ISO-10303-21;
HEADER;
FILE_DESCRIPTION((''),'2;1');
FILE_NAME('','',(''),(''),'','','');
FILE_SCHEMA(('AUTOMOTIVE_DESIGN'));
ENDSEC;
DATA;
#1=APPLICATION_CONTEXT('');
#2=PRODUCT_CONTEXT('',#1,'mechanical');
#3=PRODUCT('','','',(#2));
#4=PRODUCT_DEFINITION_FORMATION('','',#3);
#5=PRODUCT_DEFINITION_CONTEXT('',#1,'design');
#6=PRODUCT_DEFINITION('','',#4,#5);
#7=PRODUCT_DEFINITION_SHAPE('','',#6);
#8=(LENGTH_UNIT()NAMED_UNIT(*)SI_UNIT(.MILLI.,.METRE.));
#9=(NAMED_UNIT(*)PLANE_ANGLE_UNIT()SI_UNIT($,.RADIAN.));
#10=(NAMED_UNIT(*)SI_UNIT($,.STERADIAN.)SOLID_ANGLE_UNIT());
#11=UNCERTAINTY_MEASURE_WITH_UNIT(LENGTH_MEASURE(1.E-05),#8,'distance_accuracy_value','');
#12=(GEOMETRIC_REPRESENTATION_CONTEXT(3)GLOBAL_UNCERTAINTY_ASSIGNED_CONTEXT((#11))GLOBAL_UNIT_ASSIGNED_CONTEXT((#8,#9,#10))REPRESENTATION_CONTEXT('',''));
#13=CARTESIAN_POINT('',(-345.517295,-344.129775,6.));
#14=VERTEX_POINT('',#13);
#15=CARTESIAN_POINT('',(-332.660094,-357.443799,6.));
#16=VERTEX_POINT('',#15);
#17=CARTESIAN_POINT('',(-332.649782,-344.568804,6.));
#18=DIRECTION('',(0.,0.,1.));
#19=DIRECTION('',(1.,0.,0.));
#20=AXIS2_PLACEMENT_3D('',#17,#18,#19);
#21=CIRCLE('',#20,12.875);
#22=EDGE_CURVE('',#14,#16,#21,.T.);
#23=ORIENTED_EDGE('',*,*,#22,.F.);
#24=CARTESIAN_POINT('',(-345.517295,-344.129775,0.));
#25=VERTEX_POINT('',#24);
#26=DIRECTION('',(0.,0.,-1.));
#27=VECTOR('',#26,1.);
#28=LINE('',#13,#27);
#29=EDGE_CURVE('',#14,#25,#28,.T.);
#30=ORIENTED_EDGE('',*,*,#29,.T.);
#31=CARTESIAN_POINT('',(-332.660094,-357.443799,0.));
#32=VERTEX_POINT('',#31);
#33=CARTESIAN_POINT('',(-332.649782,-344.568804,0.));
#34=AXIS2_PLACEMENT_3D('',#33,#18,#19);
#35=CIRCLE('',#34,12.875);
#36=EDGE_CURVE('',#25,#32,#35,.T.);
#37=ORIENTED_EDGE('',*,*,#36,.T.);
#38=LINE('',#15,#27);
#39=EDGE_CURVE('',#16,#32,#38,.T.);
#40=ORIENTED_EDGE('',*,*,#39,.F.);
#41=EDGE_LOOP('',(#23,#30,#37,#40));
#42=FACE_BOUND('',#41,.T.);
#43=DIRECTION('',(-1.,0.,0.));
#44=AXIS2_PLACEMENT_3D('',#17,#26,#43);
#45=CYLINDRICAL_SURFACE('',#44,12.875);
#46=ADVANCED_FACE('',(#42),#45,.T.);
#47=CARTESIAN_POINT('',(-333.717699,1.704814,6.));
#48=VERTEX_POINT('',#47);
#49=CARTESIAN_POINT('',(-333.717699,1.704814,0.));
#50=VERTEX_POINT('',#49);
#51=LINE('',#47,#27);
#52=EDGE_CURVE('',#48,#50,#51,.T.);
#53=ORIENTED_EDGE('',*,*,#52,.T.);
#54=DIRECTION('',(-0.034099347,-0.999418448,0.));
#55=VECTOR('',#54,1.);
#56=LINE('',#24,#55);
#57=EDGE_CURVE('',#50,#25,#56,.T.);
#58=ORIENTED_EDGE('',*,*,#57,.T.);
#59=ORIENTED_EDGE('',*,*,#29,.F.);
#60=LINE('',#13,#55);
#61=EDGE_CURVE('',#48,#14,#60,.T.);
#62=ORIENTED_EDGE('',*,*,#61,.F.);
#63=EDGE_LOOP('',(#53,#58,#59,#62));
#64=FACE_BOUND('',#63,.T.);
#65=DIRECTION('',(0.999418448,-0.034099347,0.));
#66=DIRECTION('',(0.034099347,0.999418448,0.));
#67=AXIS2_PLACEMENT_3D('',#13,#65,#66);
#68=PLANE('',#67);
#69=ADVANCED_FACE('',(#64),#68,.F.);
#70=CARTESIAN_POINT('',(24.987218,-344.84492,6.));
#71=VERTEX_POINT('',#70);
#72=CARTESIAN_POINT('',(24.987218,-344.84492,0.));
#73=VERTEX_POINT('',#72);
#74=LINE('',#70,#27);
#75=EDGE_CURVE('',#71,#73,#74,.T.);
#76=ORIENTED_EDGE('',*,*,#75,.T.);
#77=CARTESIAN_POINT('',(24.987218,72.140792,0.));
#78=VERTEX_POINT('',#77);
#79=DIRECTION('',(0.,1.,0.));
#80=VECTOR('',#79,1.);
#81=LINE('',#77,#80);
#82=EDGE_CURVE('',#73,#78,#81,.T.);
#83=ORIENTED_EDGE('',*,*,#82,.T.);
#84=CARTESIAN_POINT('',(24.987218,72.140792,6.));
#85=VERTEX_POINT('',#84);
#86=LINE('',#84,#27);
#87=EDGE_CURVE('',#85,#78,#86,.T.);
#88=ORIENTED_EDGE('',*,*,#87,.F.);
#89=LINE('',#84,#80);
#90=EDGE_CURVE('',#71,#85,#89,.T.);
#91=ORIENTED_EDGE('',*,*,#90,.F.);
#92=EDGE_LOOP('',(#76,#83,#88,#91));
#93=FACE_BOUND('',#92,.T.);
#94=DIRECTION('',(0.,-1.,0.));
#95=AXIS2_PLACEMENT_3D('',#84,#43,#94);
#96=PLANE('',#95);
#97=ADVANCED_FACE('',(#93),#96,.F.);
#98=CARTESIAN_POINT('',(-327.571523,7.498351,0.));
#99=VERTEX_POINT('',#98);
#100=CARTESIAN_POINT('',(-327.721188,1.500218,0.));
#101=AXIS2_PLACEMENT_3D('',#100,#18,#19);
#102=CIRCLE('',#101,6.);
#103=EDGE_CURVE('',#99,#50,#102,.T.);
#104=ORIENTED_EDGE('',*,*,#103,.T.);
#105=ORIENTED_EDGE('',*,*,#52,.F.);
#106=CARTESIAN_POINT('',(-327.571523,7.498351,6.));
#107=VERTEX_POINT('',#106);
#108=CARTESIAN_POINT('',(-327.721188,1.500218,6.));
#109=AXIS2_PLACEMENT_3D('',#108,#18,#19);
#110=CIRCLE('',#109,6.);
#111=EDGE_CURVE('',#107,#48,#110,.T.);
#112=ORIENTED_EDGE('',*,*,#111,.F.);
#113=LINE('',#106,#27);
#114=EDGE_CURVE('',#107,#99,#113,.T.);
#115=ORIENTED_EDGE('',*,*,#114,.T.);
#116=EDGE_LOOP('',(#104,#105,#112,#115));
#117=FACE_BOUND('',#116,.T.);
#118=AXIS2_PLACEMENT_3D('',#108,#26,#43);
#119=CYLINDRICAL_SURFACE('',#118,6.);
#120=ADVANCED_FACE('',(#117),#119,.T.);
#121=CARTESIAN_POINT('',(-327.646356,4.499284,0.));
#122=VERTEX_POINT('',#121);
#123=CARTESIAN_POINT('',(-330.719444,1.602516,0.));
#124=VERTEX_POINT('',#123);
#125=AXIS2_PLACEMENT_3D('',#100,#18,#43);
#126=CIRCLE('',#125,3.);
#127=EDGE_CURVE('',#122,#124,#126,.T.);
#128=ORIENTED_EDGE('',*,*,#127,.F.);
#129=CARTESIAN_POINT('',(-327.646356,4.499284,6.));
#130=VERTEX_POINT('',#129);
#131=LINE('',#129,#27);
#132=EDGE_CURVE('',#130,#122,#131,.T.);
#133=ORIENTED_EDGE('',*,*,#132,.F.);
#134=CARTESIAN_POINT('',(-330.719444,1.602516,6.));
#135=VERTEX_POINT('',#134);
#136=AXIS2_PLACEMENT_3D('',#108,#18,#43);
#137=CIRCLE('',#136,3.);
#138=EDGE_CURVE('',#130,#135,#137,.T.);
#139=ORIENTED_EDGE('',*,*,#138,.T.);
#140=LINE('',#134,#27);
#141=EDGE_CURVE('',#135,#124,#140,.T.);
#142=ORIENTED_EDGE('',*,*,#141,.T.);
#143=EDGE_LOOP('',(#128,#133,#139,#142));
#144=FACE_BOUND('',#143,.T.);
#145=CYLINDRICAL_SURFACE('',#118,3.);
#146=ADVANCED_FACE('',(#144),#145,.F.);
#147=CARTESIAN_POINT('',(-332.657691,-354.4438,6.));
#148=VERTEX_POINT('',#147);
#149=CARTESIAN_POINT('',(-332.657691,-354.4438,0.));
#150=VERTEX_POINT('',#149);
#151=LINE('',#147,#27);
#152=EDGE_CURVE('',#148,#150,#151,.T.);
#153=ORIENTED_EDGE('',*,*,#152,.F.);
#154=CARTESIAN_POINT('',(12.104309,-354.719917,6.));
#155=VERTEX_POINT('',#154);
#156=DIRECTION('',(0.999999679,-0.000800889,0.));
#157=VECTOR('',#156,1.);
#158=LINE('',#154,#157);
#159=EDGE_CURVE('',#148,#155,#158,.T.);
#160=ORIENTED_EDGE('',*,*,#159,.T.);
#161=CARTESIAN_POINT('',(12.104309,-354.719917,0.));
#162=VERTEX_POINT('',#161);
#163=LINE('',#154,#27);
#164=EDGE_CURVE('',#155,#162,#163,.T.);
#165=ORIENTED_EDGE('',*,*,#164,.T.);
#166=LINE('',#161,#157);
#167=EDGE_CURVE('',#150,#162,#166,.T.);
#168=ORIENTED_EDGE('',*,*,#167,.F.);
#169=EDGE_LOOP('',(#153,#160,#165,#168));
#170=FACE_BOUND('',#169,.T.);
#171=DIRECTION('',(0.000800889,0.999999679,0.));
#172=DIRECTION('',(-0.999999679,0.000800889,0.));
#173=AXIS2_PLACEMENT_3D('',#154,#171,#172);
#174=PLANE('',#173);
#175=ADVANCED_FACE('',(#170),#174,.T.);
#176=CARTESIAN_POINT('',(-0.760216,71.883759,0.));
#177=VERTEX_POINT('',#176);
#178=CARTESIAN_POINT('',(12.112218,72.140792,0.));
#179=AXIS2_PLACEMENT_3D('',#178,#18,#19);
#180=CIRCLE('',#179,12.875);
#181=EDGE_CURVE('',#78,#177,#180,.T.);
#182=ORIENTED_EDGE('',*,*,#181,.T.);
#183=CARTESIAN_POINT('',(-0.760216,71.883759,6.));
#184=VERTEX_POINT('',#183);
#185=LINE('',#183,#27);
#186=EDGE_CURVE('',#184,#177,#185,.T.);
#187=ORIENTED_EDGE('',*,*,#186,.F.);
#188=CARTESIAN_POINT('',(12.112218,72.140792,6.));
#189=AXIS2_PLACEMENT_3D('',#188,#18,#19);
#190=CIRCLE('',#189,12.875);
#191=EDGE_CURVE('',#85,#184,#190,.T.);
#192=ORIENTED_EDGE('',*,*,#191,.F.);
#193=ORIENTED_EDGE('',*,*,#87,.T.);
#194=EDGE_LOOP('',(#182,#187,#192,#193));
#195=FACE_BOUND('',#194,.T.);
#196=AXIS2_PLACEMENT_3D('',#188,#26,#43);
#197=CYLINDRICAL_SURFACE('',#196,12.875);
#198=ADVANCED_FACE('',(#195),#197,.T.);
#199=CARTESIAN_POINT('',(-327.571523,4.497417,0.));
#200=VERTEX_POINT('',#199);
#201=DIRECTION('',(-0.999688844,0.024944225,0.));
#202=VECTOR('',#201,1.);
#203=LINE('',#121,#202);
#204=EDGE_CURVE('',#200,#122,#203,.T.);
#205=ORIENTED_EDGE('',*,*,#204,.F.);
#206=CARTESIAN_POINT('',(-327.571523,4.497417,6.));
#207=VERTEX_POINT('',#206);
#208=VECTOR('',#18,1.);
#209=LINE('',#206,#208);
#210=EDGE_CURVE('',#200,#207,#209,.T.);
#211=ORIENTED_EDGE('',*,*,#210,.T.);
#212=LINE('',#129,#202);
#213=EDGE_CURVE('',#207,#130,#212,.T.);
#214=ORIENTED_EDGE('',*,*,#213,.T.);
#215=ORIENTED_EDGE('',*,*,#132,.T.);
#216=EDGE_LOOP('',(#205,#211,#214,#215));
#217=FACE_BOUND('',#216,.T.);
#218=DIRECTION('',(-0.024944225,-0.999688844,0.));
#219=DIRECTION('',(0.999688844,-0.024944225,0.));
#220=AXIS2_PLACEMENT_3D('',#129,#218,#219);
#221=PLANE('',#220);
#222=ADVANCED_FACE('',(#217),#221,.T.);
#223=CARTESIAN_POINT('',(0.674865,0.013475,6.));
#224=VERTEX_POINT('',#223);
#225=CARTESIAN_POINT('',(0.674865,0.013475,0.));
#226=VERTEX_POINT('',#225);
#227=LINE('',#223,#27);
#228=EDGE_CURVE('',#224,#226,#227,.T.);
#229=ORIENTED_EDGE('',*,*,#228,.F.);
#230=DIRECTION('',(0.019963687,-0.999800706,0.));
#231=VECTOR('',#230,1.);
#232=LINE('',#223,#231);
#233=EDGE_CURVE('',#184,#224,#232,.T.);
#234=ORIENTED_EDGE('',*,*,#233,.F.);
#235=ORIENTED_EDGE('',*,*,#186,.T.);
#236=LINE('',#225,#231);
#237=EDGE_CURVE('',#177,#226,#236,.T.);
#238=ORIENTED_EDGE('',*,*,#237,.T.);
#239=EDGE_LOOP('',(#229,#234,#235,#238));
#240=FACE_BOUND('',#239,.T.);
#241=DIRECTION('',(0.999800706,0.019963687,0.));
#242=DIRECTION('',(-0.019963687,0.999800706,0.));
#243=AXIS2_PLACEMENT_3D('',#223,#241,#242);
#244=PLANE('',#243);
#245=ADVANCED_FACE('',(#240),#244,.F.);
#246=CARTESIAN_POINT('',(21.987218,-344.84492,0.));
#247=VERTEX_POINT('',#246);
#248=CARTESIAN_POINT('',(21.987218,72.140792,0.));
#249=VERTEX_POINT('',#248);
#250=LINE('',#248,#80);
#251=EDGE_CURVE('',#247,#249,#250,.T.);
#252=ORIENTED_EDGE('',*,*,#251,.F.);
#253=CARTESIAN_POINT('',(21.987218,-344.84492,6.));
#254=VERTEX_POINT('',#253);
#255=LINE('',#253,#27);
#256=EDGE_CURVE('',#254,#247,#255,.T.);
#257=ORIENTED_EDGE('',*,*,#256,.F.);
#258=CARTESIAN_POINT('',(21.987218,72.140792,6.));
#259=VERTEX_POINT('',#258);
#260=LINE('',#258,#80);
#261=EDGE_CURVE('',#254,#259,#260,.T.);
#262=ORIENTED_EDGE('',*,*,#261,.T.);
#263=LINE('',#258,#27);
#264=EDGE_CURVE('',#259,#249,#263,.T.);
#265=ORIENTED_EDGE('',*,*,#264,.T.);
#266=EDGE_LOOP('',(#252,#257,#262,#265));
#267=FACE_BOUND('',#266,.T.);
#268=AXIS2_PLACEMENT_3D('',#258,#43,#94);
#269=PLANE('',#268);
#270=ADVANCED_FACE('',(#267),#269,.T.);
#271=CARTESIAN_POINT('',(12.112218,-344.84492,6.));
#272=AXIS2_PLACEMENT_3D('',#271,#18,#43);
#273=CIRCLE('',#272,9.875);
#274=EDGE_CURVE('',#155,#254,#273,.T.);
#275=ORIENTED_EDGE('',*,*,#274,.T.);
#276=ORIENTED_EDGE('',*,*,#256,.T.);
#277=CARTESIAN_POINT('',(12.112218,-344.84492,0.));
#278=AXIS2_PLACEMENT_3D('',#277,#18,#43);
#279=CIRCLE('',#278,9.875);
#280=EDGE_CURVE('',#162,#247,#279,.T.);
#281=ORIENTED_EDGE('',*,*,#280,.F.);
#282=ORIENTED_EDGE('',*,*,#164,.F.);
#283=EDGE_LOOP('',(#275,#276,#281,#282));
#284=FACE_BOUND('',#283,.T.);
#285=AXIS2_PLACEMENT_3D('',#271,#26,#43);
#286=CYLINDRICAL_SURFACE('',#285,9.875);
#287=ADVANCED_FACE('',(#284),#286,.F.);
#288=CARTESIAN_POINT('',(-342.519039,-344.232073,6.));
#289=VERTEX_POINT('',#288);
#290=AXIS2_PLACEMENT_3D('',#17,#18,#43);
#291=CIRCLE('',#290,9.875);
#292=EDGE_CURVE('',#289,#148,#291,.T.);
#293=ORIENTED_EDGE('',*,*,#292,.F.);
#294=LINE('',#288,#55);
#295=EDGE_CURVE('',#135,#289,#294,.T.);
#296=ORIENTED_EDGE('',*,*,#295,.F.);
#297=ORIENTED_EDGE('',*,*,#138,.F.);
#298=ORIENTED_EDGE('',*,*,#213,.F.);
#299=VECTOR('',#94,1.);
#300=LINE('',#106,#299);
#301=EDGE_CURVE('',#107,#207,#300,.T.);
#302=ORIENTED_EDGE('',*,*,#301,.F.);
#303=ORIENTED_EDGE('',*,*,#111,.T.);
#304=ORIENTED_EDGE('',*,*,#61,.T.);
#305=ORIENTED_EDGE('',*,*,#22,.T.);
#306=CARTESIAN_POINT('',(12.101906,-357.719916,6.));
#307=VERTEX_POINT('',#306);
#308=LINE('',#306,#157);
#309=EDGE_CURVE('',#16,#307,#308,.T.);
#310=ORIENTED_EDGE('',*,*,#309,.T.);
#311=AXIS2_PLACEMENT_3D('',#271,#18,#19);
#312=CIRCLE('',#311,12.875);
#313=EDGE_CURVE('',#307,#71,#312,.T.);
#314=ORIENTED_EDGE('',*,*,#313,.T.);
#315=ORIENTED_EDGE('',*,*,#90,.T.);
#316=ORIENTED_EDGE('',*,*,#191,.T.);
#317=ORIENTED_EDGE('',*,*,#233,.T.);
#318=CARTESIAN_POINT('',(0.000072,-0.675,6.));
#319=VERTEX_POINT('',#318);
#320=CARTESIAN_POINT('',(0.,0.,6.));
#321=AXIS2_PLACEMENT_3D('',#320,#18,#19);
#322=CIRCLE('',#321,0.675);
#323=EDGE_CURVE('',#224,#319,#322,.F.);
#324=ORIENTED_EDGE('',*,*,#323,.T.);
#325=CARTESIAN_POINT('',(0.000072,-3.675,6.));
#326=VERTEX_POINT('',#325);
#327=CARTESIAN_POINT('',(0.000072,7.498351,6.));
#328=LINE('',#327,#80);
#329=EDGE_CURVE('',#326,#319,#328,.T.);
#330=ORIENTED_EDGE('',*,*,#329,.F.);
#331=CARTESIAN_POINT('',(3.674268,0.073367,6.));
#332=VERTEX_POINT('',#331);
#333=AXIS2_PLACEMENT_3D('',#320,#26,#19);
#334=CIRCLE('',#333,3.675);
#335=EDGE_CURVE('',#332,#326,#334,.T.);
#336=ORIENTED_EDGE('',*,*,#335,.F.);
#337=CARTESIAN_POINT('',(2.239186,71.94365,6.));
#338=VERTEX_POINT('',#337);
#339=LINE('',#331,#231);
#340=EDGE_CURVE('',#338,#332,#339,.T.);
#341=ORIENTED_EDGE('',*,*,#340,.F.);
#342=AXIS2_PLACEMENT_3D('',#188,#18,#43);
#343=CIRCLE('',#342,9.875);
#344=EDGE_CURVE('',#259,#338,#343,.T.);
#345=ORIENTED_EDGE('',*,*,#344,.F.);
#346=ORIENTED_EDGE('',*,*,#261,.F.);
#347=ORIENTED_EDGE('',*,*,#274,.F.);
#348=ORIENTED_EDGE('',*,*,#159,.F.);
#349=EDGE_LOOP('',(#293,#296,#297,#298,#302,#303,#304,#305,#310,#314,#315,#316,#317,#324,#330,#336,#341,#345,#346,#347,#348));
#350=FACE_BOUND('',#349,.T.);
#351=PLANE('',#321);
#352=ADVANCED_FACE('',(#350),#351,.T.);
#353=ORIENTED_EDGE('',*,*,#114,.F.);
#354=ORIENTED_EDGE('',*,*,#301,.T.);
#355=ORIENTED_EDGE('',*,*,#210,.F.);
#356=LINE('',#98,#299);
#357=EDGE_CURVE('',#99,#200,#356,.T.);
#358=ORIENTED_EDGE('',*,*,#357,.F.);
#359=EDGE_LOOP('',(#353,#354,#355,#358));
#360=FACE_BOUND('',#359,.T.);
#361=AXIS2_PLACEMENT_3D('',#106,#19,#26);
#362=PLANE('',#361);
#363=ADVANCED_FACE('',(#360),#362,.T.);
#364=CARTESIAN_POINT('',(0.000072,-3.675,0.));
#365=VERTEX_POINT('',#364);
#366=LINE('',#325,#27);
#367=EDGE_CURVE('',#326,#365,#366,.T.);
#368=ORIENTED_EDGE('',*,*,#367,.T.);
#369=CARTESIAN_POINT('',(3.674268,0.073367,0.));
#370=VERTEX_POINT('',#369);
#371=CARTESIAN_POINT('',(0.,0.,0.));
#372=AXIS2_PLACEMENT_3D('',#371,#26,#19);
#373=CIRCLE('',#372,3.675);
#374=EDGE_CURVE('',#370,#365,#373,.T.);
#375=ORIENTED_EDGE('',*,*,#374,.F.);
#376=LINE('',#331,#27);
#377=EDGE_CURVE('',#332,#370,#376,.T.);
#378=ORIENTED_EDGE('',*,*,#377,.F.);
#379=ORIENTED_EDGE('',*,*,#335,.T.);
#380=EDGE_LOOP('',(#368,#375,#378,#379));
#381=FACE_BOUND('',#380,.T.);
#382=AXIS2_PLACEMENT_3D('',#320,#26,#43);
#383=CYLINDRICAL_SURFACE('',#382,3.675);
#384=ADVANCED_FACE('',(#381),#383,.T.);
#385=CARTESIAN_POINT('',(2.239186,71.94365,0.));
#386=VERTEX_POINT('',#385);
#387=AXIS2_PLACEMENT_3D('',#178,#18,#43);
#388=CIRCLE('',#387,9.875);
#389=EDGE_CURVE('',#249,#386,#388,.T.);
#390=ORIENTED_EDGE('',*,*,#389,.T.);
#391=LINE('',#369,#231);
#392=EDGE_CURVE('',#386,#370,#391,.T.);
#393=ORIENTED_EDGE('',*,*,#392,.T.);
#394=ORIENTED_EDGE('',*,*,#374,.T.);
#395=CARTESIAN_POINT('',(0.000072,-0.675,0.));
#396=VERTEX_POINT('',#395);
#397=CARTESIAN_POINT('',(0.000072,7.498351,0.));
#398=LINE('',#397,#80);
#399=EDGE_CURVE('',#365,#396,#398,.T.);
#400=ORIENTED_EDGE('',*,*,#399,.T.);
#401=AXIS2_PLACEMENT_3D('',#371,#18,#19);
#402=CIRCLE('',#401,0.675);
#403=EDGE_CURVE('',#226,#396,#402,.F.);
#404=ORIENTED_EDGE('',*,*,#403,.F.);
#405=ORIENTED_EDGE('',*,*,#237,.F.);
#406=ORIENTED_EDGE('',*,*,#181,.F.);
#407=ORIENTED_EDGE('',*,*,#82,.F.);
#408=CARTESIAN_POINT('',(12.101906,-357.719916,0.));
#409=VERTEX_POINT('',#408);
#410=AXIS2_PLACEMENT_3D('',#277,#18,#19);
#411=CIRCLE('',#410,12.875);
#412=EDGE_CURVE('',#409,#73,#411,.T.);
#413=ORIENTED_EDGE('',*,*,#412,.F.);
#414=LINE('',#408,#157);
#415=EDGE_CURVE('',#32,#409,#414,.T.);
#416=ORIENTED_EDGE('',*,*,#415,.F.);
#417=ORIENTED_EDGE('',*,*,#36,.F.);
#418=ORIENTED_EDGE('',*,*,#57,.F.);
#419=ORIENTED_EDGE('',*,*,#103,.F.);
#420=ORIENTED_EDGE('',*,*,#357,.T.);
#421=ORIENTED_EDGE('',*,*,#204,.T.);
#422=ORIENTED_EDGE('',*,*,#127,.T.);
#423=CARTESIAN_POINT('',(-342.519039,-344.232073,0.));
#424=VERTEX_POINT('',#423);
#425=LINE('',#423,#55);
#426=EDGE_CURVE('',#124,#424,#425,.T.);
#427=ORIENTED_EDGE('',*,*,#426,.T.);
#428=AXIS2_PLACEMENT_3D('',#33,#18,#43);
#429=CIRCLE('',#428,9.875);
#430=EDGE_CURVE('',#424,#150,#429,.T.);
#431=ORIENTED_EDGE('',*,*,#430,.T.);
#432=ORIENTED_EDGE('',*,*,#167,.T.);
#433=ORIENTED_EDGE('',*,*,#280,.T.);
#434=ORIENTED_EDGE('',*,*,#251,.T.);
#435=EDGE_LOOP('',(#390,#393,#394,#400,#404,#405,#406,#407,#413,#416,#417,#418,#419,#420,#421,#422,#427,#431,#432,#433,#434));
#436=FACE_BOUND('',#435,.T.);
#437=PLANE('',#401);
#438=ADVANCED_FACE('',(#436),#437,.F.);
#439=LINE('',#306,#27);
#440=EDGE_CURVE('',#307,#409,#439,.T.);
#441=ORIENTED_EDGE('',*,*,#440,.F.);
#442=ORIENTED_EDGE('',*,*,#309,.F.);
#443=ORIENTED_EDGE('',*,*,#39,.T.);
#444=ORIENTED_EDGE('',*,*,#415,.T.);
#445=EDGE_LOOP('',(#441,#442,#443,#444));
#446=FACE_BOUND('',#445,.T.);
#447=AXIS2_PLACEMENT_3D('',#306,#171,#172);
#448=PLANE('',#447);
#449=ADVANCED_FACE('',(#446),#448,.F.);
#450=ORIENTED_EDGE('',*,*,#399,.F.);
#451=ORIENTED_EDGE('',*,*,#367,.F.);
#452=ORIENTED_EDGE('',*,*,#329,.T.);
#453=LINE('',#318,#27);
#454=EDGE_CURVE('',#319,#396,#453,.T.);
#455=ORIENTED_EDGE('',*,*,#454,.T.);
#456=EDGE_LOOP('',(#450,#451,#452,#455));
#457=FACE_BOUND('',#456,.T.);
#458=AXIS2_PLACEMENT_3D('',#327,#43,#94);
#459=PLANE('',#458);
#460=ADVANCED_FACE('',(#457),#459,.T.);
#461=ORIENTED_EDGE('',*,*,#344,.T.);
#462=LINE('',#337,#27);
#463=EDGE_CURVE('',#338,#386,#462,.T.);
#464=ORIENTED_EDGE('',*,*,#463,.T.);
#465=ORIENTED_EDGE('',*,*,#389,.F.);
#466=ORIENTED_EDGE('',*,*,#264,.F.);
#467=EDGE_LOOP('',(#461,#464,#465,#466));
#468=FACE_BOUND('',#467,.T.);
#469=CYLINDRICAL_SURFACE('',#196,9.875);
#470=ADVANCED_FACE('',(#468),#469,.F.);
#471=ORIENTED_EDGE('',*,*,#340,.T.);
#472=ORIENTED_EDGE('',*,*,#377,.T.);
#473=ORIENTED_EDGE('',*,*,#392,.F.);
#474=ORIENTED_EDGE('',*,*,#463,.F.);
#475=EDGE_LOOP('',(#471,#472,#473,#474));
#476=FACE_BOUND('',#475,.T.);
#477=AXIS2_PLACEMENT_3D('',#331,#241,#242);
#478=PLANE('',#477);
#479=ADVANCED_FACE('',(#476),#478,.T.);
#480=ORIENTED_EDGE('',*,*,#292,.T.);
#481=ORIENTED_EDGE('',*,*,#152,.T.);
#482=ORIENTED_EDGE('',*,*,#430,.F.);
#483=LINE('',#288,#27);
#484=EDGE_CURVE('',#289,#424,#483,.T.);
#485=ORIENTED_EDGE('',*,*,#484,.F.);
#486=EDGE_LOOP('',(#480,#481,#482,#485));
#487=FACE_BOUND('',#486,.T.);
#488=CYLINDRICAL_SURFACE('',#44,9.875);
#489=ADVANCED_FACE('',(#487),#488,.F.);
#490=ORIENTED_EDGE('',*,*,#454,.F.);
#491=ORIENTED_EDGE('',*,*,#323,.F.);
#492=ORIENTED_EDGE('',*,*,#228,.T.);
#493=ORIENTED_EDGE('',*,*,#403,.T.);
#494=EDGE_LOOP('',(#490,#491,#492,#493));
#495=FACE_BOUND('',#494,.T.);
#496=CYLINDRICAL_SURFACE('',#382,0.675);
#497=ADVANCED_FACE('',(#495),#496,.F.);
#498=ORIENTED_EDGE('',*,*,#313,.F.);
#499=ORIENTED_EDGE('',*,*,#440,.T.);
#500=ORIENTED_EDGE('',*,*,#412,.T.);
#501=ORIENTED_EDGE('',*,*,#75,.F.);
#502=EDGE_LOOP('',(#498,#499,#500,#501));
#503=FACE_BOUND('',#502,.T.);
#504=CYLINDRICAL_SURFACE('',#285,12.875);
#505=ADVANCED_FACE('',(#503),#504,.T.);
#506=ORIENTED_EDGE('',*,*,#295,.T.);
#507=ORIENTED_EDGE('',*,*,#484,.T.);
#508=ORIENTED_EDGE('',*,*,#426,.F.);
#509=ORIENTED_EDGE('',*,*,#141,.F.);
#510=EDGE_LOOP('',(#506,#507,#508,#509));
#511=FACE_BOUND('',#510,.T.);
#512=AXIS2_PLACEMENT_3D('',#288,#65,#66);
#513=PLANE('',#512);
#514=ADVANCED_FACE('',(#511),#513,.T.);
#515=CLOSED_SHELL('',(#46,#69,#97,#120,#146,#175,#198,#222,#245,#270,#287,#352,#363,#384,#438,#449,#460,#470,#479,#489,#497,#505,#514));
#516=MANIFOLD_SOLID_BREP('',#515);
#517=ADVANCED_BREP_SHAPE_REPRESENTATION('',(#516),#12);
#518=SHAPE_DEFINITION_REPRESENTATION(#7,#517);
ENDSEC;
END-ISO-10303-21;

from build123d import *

# Parameters (mm, degrees)
EXTRUDE_THIN1_DEPTH = 6
SKETCH3_W           = 327.571594818
SKETCH3_H           = 11.174496413
CUT_EXTRUDE3_DEPTH  = 498.380052114


with BuildPart() as part:
    # Sketch2 → Extrude-Thin1 (new body)
    with BuildSketch(Plane.XY):
        with BuildLine():
            Line((-327.571523016, 7.498350769), (-0.016837352, -0.67478997))
            ThreePointArc((-0.016837352, -0.67478997), (0.476106699, -0.478484494), (0.674865476, 0.013475489))
            Line((0.674865476, 0.013475489), (-0.760216383, 71.883759331))
            ThreePointArc((-0.760216383, 71.883759331), (11.983695064, 85.015150307), (24.987217703, 72.140791802))
            Line((24.987217703, 72.140791802), (24.987217703, -344.844919852))
            ThreePointArc((24.987217703, -344.844919852), (21.212571133, -353.952564578), (12.101906255, -357.719915723))
            Line((12.101906255, -357.719915723), (-332.660093745, -357.443799484))
            ThreePointArc((-332.660093745, -357.443799484), (-341.911283403, -353.512528914), (-345.517294817, -344.129774518))
            Line((-345.517294817, -344.129774518), (-333.717699052, 1.704813786))
            ThreePointArc((-333.717699052, 1.704813786), (-331.836728158, 5.866260785), (-327.571523016, 7.498350769))
        make_face()
        with BuildLine():
            Line((-327.646355689, 4.499284236), (-0.091670025, -3.673856503))
            ThreePointArc((-0.091670025, -3.673856503), (2.592136472, -2.605082247), (3.674267594, 0.07336655))
            Line((3.674267594, 0.07336655), (2.239185734, 71.943650392))
            ThreePointArc((2.239185734, 71.943650392), (12.013642086, 82.015299782), (21.987217703, 72.140791802))
            Line((21.987217703, 72.140791802), (21.987217703, -344.844919852))
            ThreePointArc((21.987217703, -344.844919852), (19.092100431, -351.830394933), (12.104308922, -354.719916685))
            Line((12.104308922, -354.719916685), (-332.657691078, -354.443800446))
            ThreePointArc((-332.657691078, -354.443800446), (-339.753263728, -351.428554087), (-342.519039473, -344.23207256))
            Line((-342.519039473, -344.23207256), (-330.719443707, 1.602515744))
            ThreePointArc((-330.719443707, 1.602515744), (-329.778958261, 3.683239244), (-327.646355689, 4.499284236))
        make_face(mode=Mode.SUBTRACT)
    extrude(amount=EXTRUDE_THIN1_DEPTH)

    # Sketch3 → Cut-Extrude3 (cut, through all)
    with BuildSketch(Plane.XY):
        with Locations((-163.785725607, 1.911102563)):
            Rectangle(SKETCH3_W, SKETCH3_H)
    extrude(amount=CUT_EXTRUDE3_DEPTH, mode=Mode.SUBTRACT)


solid = part.part
